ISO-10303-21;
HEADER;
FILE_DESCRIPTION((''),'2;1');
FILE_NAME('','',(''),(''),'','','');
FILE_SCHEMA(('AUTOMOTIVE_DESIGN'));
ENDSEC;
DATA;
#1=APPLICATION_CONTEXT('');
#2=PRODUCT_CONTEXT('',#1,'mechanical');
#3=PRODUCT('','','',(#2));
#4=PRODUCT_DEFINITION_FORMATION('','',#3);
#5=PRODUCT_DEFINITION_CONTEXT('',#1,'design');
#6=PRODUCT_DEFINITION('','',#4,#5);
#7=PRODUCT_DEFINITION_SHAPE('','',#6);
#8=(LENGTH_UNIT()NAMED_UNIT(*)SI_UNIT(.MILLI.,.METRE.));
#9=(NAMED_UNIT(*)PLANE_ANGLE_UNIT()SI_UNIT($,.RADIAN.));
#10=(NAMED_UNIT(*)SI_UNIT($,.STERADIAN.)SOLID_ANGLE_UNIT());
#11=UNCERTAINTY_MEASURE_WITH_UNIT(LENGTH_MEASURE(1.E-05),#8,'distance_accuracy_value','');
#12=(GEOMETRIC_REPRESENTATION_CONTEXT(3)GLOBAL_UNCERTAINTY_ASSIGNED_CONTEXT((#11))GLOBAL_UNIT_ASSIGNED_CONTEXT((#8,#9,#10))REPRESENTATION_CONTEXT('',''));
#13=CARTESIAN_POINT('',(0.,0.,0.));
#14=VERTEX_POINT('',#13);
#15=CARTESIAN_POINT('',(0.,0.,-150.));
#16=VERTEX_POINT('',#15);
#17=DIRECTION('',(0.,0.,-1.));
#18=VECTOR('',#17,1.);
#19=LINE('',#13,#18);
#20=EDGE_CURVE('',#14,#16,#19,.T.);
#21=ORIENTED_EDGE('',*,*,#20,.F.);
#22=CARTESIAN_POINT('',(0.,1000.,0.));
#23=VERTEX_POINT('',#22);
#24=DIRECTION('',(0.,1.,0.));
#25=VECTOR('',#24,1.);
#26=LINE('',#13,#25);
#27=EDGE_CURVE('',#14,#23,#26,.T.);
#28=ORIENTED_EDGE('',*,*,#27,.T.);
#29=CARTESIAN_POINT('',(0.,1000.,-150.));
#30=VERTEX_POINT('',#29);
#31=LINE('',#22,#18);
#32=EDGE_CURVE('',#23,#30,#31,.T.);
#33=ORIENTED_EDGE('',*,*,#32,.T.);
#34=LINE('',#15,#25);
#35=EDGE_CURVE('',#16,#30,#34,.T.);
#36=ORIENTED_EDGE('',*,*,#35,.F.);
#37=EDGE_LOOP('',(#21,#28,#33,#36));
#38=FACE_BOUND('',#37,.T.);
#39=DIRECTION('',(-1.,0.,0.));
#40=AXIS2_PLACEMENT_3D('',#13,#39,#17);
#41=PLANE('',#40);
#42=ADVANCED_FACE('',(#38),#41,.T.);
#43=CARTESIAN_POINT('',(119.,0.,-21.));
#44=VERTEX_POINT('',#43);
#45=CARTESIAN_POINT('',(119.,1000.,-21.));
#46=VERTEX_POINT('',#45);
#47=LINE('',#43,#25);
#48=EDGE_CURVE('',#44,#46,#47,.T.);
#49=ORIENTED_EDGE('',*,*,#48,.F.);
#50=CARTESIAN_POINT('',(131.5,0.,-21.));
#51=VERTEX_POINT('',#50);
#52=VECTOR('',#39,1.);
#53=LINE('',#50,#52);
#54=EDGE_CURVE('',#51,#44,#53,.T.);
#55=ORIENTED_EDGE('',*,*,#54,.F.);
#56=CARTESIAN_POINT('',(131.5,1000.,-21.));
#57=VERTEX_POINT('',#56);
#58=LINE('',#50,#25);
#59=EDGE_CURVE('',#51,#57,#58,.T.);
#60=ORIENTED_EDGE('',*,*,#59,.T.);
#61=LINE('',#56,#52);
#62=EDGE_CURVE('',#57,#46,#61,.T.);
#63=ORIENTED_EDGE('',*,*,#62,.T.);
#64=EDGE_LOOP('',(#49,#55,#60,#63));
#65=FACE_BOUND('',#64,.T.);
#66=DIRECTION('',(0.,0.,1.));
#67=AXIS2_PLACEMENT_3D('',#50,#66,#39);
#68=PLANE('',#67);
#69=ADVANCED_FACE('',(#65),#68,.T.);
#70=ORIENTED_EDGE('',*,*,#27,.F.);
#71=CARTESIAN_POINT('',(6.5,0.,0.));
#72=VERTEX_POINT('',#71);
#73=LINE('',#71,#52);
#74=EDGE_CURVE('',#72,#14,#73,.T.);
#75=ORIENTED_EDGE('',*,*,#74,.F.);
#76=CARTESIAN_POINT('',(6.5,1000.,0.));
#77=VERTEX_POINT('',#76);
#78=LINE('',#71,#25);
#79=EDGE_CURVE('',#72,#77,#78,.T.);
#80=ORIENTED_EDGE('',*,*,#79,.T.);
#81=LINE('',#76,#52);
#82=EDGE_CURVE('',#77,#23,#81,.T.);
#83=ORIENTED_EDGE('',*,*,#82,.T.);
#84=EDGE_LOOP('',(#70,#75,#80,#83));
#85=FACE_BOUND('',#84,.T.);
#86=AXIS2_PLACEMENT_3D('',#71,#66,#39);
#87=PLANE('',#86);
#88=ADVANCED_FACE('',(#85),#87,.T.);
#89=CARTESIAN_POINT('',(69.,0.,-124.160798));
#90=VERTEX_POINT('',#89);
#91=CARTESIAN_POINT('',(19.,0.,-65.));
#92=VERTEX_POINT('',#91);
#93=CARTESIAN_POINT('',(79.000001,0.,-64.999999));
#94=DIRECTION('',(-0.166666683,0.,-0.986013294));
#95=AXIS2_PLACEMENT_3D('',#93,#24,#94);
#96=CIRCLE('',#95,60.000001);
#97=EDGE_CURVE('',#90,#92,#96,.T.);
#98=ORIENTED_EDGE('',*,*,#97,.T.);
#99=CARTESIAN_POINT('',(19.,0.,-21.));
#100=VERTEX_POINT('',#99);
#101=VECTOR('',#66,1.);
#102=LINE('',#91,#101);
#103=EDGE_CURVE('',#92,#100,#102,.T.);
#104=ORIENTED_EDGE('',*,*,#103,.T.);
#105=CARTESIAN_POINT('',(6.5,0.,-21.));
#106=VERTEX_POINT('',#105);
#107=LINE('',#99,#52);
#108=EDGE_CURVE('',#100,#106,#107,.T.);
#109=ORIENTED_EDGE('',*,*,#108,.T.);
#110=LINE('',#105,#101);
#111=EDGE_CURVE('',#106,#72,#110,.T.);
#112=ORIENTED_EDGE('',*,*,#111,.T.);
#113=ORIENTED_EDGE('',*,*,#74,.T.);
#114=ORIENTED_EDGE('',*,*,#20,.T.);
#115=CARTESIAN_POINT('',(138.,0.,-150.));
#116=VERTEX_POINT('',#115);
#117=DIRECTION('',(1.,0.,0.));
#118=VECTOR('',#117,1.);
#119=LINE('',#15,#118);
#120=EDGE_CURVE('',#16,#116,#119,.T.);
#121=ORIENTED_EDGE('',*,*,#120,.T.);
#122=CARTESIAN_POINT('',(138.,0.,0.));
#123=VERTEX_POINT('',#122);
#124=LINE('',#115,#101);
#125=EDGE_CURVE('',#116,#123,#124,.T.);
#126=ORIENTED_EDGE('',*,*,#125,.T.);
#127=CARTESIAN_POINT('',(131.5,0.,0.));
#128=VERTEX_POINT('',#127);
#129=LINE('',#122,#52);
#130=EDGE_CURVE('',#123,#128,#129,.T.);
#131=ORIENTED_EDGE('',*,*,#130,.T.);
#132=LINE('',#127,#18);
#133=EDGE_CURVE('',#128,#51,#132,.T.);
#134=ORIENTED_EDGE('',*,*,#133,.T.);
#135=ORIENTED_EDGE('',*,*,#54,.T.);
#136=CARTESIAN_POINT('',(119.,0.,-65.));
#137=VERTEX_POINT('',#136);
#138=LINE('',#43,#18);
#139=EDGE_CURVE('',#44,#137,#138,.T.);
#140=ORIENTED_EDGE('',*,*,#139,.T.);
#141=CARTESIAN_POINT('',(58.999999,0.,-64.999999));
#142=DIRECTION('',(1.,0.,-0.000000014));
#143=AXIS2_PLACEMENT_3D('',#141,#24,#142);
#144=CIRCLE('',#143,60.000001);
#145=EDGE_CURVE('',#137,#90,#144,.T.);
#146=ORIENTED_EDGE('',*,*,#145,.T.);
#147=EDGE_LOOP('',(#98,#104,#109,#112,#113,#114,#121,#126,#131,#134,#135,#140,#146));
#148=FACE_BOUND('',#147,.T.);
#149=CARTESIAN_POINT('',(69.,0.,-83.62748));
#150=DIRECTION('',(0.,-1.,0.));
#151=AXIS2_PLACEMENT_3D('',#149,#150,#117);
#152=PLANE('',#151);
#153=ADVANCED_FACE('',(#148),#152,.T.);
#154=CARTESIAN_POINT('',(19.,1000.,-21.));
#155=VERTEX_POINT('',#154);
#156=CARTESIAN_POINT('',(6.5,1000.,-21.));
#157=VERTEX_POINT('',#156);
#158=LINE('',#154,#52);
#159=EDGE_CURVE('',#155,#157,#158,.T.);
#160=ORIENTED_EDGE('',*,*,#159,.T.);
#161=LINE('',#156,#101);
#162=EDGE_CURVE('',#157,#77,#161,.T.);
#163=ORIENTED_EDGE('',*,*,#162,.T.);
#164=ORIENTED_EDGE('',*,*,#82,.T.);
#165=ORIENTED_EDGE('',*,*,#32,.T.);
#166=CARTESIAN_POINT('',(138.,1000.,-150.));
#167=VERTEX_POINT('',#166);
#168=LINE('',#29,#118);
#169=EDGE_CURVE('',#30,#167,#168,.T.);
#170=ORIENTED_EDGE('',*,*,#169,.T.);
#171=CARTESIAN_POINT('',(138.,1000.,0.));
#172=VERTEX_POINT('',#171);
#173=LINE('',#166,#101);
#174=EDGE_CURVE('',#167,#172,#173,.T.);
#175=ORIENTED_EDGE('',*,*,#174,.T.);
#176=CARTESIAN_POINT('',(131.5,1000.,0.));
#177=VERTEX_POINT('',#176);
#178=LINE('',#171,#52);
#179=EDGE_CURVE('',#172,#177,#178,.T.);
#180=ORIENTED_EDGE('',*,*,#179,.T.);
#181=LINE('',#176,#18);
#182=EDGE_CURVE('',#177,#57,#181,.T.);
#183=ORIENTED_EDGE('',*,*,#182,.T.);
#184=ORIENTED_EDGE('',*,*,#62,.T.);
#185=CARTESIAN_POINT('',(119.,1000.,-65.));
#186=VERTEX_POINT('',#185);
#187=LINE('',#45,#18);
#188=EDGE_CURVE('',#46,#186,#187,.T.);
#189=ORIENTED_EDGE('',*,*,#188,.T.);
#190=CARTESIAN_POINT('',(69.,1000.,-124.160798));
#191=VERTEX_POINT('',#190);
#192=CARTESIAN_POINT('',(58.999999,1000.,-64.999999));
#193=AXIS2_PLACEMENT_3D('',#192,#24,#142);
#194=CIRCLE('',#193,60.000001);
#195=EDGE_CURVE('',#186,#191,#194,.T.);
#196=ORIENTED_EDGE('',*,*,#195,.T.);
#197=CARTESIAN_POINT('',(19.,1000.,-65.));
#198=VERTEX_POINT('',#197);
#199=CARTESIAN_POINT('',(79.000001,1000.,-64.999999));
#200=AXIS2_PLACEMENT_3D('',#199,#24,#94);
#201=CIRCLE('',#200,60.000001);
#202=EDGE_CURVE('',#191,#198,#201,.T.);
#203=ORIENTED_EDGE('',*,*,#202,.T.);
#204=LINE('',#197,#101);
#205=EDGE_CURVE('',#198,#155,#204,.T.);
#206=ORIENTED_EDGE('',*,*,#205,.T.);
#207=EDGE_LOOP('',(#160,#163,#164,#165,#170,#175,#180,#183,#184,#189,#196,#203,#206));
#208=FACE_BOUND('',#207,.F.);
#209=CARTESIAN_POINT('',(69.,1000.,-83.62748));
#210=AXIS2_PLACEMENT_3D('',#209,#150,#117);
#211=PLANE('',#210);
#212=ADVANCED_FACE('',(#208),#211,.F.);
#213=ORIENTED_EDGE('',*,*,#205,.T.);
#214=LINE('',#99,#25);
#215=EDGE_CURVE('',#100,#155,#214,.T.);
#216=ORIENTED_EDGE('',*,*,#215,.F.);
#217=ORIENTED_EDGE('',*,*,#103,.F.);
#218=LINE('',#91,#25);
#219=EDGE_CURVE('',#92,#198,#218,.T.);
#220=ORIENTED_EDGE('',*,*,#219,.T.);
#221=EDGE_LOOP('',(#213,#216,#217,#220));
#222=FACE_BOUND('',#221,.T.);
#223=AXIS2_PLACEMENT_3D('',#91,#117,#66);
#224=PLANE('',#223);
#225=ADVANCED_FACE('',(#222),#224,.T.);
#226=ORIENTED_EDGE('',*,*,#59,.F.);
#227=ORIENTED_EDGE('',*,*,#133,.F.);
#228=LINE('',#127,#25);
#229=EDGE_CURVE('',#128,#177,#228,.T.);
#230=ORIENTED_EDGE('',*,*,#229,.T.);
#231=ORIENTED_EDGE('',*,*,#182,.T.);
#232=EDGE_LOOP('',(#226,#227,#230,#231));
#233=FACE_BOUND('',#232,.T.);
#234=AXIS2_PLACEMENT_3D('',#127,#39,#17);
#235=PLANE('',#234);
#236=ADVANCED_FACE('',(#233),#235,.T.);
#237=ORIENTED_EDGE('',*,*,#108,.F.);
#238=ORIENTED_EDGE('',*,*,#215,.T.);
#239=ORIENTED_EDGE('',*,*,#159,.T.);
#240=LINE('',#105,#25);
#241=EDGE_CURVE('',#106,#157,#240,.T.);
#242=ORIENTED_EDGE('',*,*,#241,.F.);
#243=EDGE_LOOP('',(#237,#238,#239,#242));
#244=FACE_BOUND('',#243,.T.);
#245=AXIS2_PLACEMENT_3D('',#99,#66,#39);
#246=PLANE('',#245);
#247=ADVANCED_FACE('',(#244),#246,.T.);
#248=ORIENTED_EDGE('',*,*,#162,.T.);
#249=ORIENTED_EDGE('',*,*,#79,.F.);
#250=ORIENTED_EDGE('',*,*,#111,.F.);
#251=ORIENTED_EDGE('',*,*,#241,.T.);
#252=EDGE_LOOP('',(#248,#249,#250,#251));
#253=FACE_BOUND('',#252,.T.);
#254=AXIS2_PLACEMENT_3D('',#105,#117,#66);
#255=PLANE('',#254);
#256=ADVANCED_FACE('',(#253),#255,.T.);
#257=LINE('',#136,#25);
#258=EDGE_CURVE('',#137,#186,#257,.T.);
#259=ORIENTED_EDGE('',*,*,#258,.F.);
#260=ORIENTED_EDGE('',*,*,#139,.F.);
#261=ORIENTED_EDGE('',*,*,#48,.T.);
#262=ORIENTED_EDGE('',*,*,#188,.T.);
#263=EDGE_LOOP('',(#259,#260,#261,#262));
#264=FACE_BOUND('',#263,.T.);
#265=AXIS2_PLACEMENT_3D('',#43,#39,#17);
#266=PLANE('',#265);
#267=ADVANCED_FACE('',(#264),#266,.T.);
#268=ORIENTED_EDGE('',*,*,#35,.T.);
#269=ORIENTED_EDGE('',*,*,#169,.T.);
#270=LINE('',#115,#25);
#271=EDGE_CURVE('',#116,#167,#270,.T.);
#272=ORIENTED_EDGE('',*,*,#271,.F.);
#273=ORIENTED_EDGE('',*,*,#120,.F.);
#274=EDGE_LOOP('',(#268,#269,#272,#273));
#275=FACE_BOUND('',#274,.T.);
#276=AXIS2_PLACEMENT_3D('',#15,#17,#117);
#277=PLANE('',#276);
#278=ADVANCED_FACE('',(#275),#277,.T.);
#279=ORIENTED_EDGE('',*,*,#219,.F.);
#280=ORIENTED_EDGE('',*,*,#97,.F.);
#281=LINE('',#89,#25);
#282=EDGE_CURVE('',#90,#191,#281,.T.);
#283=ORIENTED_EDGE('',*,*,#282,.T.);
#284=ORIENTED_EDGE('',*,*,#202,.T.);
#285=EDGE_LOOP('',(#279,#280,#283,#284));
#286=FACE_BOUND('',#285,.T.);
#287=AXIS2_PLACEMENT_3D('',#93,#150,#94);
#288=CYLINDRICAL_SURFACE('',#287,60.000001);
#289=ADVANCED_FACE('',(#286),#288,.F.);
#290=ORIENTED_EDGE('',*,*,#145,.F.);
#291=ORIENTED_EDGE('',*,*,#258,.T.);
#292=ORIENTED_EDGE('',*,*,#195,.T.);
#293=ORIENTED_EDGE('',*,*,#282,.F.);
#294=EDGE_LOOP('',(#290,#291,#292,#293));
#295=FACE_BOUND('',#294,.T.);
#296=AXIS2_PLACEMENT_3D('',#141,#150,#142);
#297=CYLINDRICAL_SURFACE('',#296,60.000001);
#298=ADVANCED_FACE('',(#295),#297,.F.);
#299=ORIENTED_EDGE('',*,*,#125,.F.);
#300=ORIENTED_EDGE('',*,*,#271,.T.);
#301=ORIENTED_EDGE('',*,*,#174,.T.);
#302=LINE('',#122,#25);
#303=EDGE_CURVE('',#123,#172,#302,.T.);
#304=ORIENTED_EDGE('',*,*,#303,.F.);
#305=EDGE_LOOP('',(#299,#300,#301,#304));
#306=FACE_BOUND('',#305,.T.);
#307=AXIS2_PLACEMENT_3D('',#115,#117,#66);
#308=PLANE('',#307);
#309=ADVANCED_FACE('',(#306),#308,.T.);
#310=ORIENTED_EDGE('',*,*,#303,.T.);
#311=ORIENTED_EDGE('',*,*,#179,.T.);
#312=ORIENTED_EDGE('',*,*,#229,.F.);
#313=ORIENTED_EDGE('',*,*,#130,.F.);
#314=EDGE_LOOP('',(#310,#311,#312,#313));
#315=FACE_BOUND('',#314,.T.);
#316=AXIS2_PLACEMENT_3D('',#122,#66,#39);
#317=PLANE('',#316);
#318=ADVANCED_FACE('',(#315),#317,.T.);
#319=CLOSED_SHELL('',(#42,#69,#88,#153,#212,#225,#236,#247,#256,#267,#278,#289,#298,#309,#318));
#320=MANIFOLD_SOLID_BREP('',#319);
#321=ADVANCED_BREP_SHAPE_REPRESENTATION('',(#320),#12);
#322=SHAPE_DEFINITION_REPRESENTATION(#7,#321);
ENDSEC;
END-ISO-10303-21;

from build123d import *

# Parameters (mm, degrees)
F1_DEPTH = 1000


with BuildPart() as f1:
    # F0 (on Front) → F1 (new body)
    with BuildSketch(Plane.XZ):
        with BuildLine():
            Line((6.5, 0), (0, 0))
            Line((0, 0), (0, -150))
            Line((0, -150), (138, -150))
            Line((138, -150), (138, 0))
            Line((138, 0), (131.5, 0))
            Line((131.5, 0), (131.5, -21))
            Line((131.5, -21), (119, -21))
            Line((119, -21), (119, -65))
            ThreePointArc((119, -65), (104.825757, -103.729833), (69, -124.160798))
            ThreePointArc((69, -124.160798), (33.174243, -103.729833), (19, -65))
            Line((19, -65), (19, -21))
            Line((19, -21), (6.5, -21))
            Line((6.5, -21), (6.5, 0))
        make_face()
    extrude(amount=-F1_DEPTH)


solid = f1.part
